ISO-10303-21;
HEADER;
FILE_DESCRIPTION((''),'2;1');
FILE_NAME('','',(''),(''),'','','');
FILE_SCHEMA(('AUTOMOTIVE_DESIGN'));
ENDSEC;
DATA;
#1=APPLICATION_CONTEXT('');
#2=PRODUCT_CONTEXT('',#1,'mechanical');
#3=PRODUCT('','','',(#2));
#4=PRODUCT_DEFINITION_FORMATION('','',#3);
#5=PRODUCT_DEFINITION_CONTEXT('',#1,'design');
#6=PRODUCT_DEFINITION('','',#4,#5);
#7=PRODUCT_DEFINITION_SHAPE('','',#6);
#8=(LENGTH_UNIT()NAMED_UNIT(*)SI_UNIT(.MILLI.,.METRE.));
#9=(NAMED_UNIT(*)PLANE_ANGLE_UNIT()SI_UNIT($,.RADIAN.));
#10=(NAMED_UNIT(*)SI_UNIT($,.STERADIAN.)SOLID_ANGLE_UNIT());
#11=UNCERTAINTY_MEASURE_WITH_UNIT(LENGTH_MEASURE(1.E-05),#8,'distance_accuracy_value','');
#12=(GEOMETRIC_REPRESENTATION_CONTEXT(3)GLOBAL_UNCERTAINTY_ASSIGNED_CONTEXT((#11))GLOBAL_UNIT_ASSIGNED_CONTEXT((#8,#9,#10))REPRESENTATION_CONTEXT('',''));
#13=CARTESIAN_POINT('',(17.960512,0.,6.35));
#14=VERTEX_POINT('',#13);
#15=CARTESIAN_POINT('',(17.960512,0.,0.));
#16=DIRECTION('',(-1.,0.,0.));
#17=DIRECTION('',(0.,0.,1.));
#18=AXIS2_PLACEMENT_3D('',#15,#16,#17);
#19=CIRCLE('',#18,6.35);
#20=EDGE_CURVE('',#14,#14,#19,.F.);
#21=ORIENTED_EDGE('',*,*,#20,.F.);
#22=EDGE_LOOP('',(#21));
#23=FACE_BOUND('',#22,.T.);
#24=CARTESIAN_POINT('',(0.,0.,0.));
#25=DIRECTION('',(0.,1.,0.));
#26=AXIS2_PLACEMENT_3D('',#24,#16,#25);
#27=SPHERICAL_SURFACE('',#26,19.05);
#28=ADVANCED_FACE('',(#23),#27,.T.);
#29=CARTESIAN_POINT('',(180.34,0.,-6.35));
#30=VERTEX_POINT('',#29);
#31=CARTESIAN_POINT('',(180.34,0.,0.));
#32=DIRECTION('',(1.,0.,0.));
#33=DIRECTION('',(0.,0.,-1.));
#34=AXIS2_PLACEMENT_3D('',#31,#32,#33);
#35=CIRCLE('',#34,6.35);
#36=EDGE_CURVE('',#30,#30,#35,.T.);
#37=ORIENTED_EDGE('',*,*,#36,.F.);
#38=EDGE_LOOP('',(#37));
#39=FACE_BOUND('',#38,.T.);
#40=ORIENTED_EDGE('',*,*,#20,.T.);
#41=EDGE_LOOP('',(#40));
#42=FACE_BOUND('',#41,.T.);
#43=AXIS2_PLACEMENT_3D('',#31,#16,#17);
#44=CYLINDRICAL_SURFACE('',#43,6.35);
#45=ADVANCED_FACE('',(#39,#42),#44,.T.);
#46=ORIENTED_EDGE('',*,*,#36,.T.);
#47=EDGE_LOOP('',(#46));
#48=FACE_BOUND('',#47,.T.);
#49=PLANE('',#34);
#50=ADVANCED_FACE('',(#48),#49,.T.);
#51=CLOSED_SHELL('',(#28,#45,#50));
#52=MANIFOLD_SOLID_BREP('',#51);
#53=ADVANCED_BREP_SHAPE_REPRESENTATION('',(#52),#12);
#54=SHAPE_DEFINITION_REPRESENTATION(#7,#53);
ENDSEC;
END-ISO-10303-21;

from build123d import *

# Parameters (mm, degrees)
SKETCH2_R           = 6.35
BOSS_EXTRUDE1_DEPTH = 180.34


with BuildPart() as part:
    # Sketch1 → Revolve1 (revolve)
    with BuildSketch(Plane.XY):
        with BuildLine():
            Line((-19.05, 0), (19.05, 0))
            ThreePointArc((19.05, 0), (0, 19.05), (-19.05, 0))
        make_face()
    revolve(axis=Axis((-19.05, 0, 0), (1, 0, 0)))

    # Sketch2 → Boss-Extrude1 (add)
    with BuildSketch(Plane(origin=(0, 0, 0), x_dir=(0, 0, -1), z_dir=(1, 0, 0))):
        with Locations(Location((0, 0, 0), (0, 0, 180))):
            Circle(SKETCH2_R)
    extrude(amount=BOSS_EXTRUDE1_DEPTH)


solid = part.part
